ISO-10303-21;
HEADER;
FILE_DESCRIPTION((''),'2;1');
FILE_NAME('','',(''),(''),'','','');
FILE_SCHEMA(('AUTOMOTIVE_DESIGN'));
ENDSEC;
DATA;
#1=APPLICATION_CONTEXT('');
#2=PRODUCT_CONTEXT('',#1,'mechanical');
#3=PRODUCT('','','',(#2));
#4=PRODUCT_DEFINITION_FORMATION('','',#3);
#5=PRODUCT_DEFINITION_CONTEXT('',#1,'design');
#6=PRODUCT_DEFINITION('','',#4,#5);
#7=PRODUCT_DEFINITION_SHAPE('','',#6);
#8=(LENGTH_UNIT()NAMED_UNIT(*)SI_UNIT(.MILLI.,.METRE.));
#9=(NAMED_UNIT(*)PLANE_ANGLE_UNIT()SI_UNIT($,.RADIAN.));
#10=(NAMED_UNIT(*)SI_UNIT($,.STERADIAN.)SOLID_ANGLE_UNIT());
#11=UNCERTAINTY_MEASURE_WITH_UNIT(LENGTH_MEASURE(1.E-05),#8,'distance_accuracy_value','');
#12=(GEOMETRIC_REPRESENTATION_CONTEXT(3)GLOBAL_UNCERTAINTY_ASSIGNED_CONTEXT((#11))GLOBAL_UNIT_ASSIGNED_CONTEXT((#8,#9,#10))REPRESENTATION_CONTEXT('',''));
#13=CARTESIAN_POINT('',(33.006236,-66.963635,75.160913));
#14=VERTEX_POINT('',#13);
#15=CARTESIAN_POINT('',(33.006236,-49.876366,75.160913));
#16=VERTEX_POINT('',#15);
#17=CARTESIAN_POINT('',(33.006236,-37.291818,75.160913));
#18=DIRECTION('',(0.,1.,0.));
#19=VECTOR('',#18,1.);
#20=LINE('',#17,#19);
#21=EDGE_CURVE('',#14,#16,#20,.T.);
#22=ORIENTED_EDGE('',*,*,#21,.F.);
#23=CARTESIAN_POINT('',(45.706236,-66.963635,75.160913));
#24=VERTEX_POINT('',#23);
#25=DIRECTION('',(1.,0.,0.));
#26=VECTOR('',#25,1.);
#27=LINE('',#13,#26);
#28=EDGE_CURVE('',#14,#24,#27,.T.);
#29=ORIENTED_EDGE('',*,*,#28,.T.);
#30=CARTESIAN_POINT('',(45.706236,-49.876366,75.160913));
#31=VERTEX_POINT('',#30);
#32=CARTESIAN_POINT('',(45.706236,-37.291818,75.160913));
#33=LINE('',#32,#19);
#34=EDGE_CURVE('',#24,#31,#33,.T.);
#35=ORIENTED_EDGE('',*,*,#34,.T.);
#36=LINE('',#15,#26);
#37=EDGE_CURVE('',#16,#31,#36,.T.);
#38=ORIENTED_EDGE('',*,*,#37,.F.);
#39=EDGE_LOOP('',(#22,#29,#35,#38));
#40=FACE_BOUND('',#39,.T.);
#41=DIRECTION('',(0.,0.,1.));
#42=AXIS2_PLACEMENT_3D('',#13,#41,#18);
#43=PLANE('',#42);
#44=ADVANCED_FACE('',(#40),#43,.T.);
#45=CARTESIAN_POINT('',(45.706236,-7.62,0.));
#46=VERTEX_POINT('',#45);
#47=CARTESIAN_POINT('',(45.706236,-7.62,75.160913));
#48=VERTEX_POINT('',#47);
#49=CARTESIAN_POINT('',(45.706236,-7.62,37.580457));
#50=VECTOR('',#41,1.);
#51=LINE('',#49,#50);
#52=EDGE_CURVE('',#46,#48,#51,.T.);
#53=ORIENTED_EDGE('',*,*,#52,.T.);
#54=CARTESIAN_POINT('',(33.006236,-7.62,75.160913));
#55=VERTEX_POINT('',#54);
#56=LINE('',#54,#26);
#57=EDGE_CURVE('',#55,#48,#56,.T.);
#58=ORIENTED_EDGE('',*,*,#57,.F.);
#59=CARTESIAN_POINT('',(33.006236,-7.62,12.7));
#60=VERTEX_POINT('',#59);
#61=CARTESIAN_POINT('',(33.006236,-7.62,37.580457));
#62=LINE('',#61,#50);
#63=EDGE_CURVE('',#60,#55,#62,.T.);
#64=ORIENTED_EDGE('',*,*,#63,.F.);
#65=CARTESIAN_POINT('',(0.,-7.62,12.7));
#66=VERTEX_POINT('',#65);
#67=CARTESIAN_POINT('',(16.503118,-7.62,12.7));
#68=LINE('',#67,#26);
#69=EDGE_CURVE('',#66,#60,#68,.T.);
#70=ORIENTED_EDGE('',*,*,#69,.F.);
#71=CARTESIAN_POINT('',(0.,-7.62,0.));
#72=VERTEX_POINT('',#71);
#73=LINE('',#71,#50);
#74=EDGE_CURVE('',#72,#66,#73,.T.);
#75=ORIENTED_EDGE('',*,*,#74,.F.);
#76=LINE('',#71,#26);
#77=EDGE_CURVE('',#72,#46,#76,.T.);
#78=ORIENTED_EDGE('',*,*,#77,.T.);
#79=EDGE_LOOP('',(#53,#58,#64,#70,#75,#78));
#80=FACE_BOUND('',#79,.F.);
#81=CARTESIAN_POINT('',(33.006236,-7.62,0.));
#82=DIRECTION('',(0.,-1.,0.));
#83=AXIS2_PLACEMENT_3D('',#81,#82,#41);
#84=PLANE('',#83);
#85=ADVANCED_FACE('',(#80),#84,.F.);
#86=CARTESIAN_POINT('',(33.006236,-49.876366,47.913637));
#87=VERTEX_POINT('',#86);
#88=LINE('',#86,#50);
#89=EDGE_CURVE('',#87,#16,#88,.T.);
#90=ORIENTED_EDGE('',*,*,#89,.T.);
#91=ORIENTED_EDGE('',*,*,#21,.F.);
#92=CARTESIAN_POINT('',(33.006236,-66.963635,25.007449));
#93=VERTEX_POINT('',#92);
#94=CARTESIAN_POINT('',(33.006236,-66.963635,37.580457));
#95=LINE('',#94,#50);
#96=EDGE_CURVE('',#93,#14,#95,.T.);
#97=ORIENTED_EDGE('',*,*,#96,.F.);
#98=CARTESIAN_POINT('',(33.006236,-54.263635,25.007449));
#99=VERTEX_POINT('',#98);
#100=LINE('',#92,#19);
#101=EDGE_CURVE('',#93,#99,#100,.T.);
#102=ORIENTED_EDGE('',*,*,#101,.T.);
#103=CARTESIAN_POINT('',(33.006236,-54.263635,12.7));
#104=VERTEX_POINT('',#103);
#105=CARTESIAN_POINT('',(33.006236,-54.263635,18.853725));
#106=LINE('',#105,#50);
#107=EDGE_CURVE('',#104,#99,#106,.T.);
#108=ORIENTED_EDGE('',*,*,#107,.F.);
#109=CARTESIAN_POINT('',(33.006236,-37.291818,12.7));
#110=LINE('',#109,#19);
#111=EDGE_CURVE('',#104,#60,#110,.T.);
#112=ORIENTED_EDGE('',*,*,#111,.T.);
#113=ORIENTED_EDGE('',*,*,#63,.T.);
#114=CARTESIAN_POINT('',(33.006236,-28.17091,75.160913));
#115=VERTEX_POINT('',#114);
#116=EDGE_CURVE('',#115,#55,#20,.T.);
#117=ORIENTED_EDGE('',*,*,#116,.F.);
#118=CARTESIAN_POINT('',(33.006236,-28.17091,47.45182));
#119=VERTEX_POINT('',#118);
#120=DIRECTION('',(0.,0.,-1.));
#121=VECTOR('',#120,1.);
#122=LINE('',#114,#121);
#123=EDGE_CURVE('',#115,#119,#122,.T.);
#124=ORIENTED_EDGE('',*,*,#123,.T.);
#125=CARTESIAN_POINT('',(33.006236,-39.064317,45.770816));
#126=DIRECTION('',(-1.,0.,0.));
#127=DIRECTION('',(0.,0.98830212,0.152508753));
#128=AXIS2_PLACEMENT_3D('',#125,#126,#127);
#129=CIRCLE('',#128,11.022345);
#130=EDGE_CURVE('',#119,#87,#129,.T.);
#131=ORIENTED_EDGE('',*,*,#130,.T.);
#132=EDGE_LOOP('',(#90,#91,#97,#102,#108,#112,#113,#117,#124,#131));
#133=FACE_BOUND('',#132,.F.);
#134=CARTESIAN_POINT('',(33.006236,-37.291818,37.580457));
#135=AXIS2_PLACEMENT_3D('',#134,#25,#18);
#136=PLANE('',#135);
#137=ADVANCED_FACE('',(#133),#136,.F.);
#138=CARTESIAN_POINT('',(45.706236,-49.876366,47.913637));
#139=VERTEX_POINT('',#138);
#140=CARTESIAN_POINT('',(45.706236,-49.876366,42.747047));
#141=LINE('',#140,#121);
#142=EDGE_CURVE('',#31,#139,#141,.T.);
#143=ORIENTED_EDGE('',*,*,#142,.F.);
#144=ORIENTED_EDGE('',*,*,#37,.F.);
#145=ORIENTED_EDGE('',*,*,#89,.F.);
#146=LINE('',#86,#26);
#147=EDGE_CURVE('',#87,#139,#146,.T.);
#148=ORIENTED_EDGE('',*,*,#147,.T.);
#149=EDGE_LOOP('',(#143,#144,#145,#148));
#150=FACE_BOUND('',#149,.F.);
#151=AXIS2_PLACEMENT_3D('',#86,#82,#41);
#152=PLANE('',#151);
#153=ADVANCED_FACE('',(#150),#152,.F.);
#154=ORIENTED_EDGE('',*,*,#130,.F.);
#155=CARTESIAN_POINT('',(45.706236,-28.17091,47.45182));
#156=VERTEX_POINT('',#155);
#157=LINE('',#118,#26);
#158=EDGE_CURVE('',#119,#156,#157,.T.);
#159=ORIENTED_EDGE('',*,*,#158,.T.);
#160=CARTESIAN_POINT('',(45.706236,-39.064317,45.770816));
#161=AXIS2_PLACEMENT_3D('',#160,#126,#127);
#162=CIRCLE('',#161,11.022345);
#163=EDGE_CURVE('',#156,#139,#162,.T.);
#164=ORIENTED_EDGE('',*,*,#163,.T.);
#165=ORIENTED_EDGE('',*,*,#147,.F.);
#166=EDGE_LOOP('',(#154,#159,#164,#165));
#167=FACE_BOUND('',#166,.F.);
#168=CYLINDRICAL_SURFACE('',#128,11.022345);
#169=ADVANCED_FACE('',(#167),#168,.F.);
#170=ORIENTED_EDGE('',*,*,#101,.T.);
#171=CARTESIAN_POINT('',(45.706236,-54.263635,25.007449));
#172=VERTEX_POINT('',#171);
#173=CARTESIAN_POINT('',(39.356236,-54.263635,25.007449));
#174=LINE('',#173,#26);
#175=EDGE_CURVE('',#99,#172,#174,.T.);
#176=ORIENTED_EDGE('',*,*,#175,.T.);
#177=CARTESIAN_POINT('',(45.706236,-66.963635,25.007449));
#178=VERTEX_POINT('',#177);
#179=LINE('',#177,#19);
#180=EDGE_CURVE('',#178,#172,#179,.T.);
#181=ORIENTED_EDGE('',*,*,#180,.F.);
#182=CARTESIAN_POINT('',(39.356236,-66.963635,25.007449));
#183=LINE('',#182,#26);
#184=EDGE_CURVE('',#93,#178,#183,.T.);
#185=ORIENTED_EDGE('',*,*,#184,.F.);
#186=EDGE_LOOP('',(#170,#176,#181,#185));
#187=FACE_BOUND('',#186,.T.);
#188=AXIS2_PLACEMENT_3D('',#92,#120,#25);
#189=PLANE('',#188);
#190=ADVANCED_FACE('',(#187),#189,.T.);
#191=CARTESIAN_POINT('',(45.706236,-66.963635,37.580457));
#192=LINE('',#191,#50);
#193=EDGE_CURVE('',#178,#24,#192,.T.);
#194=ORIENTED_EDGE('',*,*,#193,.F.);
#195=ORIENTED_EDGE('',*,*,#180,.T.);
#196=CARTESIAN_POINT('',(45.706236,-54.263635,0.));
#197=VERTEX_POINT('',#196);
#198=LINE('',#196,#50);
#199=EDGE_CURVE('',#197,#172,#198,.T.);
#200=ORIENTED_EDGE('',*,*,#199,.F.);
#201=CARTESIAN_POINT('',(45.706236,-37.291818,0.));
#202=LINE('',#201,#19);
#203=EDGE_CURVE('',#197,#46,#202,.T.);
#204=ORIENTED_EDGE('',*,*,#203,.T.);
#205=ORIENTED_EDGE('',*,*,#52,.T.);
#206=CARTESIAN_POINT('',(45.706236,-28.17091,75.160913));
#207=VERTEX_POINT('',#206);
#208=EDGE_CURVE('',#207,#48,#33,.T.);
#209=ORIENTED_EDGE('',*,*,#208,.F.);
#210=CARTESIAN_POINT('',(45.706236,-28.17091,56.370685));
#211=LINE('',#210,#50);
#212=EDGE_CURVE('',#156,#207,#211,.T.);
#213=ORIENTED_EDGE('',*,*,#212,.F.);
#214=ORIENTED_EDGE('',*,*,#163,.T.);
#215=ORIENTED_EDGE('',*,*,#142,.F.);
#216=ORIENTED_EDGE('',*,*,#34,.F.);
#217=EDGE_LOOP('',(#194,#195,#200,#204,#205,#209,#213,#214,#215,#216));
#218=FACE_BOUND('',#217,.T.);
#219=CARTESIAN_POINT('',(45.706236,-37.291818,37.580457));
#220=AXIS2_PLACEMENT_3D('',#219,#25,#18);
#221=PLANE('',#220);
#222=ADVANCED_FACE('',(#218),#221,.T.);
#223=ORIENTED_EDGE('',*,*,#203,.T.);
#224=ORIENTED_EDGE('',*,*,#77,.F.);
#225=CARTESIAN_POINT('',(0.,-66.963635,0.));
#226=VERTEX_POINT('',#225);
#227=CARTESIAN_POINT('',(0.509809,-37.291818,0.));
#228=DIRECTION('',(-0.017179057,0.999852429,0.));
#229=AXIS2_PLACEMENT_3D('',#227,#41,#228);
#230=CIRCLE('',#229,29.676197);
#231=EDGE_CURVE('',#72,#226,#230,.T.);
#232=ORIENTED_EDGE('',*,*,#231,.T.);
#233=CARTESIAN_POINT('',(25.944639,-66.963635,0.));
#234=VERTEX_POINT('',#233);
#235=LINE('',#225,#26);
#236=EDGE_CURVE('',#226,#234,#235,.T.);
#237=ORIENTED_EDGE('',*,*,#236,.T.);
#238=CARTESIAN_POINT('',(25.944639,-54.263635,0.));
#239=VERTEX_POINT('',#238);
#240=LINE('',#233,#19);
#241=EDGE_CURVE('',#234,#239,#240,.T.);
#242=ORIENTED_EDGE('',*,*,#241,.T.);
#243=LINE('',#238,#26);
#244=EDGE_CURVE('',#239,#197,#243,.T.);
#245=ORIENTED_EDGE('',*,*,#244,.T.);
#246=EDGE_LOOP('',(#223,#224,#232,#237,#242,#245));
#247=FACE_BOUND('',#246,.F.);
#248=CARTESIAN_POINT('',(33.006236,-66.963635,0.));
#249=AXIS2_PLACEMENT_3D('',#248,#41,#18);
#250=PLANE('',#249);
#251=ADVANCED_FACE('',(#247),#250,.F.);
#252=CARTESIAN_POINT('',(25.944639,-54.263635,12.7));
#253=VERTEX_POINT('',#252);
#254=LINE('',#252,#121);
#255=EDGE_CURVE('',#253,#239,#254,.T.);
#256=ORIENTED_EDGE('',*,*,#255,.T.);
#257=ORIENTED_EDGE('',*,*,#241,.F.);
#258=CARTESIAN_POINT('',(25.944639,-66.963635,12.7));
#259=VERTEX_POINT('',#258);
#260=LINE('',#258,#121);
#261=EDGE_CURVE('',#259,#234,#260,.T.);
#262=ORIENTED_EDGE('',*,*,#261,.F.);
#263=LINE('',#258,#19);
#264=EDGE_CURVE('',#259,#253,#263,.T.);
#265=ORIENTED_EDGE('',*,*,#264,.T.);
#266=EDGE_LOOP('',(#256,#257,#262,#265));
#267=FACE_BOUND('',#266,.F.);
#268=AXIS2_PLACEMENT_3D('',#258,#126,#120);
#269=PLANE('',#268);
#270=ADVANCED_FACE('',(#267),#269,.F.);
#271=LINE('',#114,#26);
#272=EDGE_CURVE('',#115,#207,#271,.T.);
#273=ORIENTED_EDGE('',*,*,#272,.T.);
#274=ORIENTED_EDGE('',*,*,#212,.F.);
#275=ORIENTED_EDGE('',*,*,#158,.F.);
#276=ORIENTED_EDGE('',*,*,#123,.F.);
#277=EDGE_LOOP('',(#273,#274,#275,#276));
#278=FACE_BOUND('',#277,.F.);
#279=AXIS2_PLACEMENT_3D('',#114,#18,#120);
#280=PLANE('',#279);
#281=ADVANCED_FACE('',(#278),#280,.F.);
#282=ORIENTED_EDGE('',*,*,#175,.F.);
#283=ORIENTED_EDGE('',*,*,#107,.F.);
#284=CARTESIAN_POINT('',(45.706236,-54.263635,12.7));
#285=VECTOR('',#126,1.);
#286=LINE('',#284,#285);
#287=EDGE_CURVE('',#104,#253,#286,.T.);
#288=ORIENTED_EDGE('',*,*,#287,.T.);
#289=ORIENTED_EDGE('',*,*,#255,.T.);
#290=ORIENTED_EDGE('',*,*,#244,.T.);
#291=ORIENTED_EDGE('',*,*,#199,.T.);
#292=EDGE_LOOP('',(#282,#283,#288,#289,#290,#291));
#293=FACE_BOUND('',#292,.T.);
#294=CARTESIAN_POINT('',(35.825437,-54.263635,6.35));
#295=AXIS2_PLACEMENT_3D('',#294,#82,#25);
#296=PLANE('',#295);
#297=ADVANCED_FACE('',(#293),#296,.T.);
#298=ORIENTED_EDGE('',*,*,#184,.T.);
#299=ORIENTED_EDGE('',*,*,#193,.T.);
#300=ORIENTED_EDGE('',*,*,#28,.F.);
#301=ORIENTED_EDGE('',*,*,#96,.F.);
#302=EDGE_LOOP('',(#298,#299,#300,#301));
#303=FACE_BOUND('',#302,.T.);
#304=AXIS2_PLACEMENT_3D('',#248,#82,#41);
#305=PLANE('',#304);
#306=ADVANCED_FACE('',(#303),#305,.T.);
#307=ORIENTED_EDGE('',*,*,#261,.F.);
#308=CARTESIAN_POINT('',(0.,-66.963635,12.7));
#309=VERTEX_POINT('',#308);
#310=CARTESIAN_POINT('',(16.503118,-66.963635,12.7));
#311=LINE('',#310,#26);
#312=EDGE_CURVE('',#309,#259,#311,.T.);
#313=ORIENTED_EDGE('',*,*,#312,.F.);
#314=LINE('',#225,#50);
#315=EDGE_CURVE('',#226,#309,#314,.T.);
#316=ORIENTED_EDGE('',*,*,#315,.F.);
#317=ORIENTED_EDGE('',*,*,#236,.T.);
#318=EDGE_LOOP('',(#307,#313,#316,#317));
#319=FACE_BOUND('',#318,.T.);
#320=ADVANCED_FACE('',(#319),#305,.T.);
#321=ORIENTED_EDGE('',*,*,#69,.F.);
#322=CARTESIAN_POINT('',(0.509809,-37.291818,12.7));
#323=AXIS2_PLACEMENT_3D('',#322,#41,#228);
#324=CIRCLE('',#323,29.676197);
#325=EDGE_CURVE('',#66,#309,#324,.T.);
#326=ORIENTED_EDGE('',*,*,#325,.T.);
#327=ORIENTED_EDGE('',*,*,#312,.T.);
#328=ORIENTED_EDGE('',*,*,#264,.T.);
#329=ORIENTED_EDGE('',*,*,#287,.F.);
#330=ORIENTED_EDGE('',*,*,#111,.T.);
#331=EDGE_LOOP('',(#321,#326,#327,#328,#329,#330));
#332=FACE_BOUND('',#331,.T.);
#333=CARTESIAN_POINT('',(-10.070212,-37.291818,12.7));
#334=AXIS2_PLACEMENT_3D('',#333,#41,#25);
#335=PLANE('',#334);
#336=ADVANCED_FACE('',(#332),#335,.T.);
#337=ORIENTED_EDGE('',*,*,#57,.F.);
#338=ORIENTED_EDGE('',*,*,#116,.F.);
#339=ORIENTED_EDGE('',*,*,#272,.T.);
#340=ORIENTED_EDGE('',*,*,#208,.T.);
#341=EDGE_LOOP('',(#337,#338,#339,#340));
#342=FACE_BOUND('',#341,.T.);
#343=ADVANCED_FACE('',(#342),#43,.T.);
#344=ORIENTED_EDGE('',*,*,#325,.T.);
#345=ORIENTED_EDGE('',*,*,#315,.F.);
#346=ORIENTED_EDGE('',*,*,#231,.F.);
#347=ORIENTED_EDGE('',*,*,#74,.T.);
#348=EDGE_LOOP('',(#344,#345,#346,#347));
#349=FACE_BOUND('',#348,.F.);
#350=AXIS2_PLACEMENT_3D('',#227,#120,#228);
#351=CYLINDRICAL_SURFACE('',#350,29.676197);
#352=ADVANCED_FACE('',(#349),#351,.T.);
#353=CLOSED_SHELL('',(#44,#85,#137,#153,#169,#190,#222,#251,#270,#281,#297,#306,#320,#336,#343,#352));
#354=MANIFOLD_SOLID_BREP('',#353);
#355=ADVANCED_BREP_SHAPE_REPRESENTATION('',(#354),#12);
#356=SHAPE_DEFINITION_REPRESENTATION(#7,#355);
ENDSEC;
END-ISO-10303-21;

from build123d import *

# Parameters (mm, degrees)
F0_W     = 33.0062359571
F0_H     = 59.3436355703
F1_DEPTH = 12.7
F2_W     = 59.3436355703
F2_H     = 75.1609131694
F3_DEPTH = 12.7
F5_DEPTH = 12.701
F6_W     = 12.7
F6_H     = 12.3074490905
F7_DEPTH = 12.7


with BuildPart() as f1:
    # F0 (on Top) → F1 (new body)
    with BuildSketch(Plane.XY):
        with BuildLine():
            Line((0, -66.963635385), (0, -7.6199998148))
            ThreePointArc((0, -7.6199998148), (-29.1663880378, -37.2918175999), (0, -66.963635385))
        make_face()
        with Locations((16.5031179786, -37.2918175999)):
            Rectangle(F0_W, F0_H)
    extrude(amount=F1_DEPTH)

    # F2 (on face) → F3 (join)
    with BuildSketch(Plane.YZ.offset(33.0062359571)):
        with Locations((-37.2918175999, 37.5804565847)):
            Rectangle(F2_W, F2_H)
    extrude(amount=F3_DEPTH)

    # F4 (on face) → F5 (cut, through all)
    with BuildSketch(Plane(origin=(33.0062359571, 0, 0), x_dir=(0, -1, 0), z_dir=(-1, 0, 0))):
        with BuildLine():
            Line((28.1709097326, 75.1609131694), (28.1709097326, 47.4518202245))
            ThreePointArc((28.1709097326, 47.4518202245), (39.2987808247, 34.7509651719), (49.8763658106, 47.9136370122))
            Line((49.8763658106, 47.9136370122), (49.8763658106, 75.1609131694))
            Line((49.8763658106, 75.1609131694), (28.1709097326, 75.1609131694))
        make_face()
    extrude(amount=-F5_DEPTH, mode=Mode.SUBTRACT)

    # F6 (on face) → F7 (cut)
    with BuildSketch(Plane.XZ.offset(66.963635385)):
        Polygon((33.0062359571, 12.7), (25.9446389973, 12.7), (25.9446389973, 0), (45.7062359571, 0), (45.7062359571, 12.7), align=None)
        with Locations((39.3562359571, 18.8537245452)):
            Rectangle(F6_W, F6_H)
    extrude(amount=-F7_DEPTH, mode=Mode.SUBTRACT)


solid = f1.part
